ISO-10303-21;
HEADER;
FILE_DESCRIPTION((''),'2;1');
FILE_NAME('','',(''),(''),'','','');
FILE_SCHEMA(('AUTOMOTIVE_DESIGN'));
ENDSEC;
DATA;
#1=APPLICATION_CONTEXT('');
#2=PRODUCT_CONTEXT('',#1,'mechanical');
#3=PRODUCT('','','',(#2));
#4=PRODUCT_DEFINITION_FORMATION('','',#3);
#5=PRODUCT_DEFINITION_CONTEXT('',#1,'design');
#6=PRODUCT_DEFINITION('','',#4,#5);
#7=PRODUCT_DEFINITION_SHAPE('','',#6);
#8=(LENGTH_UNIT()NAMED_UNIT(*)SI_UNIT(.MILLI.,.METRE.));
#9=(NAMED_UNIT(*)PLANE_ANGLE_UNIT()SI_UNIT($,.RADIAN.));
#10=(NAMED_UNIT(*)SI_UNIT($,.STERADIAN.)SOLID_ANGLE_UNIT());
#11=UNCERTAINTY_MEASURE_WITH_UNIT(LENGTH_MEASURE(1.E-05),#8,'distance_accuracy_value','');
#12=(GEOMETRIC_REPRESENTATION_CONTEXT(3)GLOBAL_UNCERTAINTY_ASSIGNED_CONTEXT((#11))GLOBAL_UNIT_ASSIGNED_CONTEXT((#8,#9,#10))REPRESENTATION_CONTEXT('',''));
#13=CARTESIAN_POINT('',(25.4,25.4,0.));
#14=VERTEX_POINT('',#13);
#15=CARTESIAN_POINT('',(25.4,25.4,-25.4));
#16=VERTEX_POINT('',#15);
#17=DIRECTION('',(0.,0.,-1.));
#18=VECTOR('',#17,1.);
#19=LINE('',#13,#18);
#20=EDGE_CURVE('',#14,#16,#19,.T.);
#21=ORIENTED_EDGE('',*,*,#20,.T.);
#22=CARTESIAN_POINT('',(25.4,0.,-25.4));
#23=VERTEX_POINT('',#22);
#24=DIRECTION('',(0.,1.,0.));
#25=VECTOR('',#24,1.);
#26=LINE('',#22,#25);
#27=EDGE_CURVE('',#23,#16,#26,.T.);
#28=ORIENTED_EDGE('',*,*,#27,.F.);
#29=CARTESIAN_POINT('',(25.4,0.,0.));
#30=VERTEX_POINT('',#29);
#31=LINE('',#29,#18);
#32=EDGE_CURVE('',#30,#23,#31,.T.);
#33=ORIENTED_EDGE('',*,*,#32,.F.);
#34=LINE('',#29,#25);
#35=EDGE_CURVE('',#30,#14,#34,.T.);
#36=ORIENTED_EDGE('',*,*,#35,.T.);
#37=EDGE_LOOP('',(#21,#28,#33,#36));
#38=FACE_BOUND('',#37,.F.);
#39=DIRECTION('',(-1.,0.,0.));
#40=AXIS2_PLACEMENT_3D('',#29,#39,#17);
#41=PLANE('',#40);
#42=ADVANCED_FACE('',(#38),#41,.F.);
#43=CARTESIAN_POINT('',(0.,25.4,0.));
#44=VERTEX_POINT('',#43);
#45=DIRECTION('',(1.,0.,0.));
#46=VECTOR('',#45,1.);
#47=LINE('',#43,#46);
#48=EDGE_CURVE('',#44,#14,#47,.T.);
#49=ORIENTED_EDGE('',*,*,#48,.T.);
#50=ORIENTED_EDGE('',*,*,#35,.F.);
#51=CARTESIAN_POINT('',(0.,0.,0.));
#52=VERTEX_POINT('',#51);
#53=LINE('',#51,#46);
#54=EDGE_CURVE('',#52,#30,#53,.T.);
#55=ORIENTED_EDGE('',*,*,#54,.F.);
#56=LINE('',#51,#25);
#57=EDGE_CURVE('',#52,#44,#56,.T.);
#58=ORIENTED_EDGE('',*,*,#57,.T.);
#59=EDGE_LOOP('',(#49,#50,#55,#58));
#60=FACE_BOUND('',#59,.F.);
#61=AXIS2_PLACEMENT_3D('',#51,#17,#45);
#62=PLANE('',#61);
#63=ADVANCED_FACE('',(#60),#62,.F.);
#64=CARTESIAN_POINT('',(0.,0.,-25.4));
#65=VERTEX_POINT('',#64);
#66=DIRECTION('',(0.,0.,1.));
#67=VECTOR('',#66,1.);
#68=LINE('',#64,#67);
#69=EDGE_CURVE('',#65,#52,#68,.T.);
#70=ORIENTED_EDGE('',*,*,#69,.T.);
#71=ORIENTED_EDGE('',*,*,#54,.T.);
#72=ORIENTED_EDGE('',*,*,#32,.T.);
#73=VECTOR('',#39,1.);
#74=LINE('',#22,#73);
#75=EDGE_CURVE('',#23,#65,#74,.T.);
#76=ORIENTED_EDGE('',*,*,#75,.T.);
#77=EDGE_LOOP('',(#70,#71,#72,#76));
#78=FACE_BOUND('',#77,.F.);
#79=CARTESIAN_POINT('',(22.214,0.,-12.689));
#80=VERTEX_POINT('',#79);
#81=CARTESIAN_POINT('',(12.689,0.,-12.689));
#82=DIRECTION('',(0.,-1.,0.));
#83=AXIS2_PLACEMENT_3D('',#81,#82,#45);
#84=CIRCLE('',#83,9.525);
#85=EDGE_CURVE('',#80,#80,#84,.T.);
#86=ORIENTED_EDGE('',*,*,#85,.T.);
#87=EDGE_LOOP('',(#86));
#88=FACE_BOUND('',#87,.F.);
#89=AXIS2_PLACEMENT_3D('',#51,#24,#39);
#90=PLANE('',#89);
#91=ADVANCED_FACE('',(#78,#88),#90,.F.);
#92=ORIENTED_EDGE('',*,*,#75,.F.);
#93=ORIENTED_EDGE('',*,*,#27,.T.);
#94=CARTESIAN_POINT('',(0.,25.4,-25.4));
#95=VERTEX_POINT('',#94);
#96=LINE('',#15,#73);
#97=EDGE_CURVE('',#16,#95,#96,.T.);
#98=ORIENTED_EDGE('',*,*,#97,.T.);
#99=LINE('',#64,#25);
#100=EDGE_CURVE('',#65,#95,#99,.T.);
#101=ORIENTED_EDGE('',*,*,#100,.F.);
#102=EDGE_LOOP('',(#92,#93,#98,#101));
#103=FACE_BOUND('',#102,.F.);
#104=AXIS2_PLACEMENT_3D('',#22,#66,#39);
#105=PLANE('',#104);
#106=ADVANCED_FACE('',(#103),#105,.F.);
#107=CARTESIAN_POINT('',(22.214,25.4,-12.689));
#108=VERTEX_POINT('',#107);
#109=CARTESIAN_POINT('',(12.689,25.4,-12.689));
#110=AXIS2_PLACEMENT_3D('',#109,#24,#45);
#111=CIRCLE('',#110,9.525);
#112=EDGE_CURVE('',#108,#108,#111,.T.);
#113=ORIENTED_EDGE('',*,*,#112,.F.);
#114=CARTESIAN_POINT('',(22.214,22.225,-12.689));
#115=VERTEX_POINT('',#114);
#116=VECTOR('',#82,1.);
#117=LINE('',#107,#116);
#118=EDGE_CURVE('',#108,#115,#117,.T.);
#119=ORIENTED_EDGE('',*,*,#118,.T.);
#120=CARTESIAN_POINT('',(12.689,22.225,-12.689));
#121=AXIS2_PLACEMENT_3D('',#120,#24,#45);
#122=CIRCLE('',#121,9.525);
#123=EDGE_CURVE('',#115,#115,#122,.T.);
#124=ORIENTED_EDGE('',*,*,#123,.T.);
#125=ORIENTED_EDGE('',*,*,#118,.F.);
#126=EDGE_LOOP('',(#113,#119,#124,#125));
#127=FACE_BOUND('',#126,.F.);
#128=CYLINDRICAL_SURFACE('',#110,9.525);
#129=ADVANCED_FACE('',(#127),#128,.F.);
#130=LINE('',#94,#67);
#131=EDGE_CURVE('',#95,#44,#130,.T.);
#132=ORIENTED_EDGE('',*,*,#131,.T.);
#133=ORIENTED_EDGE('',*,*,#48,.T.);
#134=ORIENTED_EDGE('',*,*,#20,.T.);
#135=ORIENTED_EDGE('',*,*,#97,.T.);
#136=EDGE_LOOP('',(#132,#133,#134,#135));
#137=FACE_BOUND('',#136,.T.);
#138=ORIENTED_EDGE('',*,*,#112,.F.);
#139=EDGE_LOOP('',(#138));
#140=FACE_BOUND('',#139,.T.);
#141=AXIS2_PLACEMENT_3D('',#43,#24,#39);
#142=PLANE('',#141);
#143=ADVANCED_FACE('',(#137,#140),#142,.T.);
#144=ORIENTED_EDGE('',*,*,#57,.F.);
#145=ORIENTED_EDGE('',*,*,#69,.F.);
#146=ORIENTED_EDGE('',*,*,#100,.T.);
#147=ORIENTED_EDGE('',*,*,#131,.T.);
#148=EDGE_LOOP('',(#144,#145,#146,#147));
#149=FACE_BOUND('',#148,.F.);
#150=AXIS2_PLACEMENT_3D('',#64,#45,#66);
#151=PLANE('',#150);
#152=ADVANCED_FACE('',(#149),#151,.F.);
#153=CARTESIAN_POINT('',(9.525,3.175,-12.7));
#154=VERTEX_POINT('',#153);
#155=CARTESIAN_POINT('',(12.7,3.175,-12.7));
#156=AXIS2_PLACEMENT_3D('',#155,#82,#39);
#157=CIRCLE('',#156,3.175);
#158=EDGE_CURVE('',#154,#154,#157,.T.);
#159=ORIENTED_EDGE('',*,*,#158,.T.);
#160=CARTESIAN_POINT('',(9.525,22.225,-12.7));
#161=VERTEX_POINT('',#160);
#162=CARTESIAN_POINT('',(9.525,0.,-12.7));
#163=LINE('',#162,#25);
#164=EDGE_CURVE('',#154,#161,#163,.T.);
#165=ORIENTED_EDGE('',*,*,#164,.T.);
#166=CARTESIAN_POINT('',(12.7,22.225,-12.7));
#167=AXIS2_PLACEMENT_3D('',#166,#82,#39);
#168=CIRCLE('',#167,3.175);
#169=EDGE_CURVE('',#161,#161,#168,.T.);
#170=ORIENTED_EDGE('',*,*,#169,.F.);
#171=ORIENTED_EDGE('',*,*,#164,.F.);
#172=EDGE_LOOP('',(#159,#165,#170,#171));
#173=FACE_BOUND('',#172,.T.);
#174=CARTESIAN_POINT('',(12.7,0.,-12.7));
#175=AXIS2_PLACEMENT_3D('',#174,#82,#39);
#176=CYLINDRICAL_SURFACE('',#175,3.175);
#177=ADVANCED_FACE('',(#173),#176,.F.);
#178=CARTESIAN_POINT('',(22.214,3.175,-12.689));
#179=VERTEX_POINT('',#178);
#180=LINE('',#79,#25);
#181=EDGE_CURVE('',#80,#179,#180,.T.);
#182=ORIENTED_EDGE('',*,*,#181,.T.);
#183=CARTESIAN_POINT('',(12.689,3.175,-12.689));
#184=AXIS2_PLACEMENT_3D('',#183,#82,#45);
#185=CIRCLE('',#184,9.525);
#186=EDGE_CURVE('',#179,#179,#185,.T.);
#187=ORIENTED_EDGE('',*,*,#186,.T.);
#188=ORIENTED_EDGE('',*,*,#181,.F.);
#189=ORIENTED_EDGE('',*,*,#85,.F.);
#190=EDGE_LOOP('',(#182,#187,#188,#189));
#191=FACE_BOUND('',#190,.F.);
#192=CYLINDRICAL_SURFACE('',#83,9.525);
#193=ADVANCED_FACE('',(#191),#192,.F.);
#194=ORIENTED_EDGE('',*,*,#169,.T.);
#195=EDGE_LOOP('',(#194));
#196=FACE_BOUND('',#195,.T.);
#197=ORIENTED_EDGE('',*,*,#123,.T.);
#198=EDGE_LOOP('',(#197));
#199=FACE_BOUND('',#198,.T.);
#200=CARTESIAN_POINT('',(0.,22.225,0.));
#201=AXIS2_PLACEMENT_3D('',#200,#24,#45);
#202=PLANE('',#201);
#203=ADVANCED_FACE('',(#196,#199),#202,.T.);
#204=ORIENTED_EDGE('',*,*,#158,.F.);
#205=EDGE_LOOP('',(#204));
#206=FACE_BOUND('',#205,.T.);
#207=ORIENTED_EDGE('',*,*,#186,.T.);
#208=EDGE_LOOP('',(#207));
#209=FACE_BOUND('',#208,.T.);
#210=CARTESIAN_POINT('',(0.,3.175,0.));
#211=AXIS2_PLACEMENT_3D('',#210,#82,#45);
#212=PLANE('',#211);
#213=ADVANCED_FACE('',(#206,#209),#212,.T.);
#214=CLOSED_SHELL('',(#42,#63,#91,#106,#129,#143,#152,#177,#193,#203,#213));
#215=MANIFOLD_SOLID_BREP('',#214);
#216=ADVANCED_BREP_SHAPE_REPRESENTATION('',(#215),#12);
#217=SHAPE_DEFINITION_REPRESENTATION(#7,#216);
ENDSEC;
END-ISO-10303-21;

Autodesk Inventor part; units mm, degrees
ref_plane "YZ Plane" through (0, 0, 0) normal (1, 0, 0) x (0, 1, 0)
ref_plane "XZ Plane" through (0, 0, 0) normal (0, 1, 0) x (-1, 0, 0)
ref_plane "XY Plane" through (0, 0, 0) normal (0, 0, 1) x (1, 0, 0)
sketch "Sketch1" plane through (0, 0, 0) normal (0, 1, 0) x (-1, 0, 0)
  line L0 (0, 0) -> (-25.4, 0)
  line L1 (-25.4, 0) -> (-25.4, -25.4)
  line L2 (-25.4, -25.4) -> (0, -25.4)
  line L3 (0, -25.4) -> (0, 0)
  line L4 (0, 0) -> (-25.4, -25.4) construction
  line L5 (0, -25.4) -> (-25.4, 0) construction
  circle A0 centre (-12.7, -12.7) radius 3.175
  dimension "d0" = 25.4
  dimension "d1" = 25.4
  dimension "d3" = 6.35
extrude "Extrusion1" add sketch "Sketch1" along normal blind 25.4
sketch "Sketch2" plane through (0, 25.4, 0) normal (0, 1, 0) x (1, 0, 0)
  circle A0 centre (12.689, 12.689) radius 9.525
  point P0 (0, 0)
  dimension "d6" = 19.05
extrude "Extrusion2" cut sketch "Sketch2" against normal blind 3.175
sketch "Sketch3" plane through (0, 0, 0) normal (0, -1, 0) x (1, 0, 0)
  circle A0 centre (12.689, -12.689) radius 9.525 projected
  circle A1 centre (12.689, -12.689) radius 9.525
  point P0 (0, 0)
  dimension "d9" = 19.05
extrude "Extrusion3" cut sketch "Sketch3" against normal blind 3.175
properties part number "MountingBracket_3"
